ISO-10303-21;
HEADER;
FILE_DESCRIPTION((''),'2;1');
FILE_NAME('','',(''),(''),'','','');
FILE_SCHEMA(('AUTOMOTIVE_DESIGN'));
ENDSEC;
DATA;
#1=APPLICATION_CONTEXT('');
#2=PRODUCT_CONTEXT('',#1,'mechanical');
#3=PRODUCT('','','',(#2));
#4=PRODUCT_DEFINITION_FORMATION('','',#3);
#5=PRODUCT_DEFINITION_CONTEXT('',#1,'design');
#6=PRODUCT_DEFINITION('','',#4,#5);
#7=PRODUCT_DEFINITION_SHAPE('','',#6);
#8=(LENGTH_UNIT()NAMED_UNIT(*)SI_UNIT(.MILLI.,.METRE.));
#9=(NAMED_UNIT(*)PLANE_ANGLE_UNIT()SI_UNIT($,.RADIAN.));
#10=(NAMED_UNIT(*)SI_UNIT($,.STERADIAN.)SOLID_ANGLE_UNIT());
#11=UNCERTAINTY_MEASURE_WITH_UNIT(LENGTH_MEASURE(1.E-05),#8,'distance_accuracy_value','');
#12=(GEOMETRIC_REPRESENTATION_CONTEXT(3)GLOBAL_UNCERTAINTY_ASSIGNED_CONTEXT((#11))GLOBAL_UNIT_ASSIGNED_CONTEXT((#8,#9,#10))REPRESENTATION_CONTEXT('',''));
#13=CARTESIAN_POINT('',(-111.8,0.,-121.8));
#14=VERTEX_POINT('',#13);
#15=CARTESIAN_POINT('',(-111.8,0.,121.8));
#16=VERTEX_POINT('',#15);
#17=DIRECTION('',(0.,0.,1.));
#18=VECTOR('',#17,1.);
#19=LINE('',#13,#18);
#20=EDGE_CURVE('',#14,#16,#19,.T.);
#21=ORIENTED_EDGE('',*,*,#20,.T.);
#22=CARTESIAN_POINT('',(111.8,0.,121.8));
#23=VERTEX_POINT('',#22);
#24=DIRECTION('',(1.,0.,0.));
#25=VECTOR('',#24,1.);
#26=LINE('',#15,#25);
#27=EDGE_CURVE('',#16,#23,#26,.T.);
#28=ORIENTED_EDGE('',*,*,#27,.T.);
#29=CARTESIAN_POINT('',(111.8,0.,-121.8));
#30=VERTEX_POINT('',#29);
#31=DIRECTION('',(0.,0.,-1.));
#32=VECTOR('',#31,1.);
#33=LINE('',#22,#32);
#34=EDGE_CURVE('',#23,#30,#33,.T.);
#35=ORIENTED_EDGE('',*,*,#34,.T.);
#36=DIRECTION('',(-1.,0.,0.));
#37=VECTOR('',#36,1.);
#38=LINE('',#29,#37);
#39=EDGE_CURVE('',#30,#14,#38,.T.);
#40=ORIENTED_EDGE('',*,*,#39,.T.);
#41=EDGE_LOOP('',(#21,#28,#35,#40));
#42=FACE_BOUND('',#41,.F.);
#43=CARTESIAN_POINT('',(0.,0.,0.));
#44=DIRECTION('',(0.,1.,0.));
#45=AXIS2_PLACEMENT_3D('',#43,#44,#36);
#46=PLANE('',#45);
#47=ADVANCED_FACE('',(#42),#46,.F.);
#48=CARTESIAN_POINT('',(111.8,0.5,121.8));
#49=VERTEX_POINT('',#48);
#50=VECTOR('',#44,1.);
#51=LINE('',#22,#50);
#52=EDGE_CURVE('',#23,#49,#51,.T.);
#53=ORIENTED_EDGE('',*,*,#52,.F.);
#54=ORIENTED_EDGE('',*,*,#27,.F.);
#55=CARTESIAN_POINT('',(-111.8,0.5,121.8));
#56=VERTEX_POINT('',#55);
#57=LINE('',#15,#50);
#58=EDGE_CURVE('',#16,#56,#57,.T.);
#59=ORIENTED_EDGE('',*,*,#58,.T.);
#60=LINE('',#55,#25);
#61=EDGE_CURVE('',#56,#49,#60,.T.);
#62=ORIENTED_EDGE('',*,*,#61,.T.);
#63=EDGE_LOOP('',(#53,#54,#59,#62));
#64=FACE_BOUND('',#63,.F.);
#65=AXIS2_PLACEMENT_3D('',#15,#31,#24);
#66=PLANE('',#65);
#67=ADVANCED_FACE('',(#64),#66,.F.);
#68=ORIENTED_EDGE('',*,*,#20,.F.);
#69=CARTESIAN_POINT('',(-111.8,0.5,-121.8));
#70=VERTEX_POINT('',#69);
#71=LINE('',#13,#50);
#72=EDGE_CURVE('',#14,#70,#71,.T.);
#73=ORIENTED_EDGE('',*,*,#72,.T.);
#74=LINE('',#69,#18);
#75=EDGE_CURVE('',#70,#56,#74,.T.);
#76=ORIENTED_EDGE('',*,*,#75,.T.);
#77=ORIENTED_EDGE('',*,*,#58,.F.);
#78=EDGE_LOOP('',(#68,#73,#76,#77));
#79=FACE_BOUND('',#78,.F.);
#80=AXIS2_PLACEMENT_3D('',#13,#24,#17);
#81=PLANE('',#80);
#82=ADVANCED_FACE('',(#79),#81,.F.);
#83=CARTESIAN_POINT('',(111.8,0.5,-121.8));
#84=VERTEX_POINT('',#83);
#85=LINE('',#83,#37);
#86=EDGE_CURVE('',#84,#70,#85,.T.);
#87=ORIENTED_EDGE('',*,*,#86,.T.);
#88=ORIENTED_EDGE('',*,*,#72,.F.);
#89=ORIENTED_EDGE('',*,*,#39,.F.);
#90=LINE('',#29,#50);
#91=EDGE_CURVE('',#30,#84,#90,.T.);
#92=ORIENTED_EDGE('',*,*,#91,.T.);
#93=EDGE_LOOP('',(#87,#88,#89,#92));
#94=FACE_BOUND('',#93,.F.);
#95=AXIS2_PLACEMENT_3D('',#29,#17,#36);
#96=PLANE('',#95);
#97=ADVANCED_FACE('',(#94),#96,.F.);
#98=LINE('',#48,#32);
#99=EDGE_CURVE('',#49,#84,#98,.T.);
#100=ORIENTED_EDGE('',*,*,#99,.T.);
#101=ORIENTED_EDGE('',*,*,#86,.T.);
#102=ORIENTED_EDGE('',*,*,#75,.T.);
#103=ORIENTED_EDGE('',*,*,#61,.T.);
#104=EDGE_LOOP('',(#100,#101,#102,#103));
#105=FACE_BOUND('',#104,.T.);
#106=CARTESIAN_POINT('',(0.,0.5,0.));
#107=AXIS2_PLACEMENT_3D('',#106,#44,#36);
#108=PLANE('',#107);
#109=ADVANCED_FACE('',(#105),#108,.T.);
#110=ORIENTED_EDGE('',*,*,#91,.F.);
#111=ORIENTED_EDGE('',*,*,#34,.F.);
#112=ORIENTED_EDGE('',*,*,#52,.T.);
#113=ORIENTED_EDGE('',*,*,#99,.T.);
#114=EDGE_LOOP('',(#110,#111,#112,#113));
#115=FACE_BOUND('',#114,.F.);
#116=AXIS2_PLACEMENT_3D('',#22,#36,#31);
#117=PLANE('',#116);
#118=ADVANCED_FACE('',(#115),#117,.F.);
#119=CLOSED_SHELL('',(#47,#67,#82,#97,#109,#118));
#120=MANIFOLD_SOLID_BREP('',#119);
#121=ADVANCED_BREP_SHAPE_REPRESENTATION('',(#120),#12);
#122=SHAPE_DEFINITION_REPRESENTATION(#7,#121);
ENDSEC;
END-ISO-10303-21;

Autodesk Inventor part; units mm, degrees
ref_plane "YZ Plane" through (0, 0, 0) normal (1, 0, 0) x (0, 1, 0)
ref_plane "XZ Plane" through (0, 0, 0) normal (0, 1, 0) x (-1, 0, 0)
ref_plane "XY Plane" through (0, 0, 0) normal (0, 0, 1) x (1, 0, 0)
sketch "Sketch1" plane through (0, 0, 0) normal (0, 1, 0) x (-1, 0, 0)
  line L0 (111.8, 121.8) -> (-111.8, 121.8)
  line L1 (-111.8, 121.8) -> (-111.8, -121.8)
  line L2 (-111.8, -121.8) -> (111.8, -121.8)
  line L3 (111.8, -121.8) -> (111.8, 121.8)
  point P0 (0, 0)
  point P1 (111.8, 0)
  point P2 (0, -121.8)
  dimension "d0" = 223.6
  dimension "d1" = 243.6
extrude "Plate1" add sketch "Sketch1" along normal blind 0.5
equation "\"d2\" = Thickness"
equation "\"BendRadius\" = Thickness"
equation "\"BendReliefWidth\" = Thickness"
equation "\"BendReliefDepth\" = 0.5 * Thickness"
equation "\"CornerReliefSize\" = 4 * Thickness"
equation "\"MinimumRemnant\" = 2 * Thickness"
equation "\"TransitionRadius\" = BendRadius"
equation "\"JacobiRadiusSize\" = BendRadius"
equation "\"GapSize\" = Thickness"
equation "\"Thickness\" = 0.5"
properties part number "side_panel_actual"
